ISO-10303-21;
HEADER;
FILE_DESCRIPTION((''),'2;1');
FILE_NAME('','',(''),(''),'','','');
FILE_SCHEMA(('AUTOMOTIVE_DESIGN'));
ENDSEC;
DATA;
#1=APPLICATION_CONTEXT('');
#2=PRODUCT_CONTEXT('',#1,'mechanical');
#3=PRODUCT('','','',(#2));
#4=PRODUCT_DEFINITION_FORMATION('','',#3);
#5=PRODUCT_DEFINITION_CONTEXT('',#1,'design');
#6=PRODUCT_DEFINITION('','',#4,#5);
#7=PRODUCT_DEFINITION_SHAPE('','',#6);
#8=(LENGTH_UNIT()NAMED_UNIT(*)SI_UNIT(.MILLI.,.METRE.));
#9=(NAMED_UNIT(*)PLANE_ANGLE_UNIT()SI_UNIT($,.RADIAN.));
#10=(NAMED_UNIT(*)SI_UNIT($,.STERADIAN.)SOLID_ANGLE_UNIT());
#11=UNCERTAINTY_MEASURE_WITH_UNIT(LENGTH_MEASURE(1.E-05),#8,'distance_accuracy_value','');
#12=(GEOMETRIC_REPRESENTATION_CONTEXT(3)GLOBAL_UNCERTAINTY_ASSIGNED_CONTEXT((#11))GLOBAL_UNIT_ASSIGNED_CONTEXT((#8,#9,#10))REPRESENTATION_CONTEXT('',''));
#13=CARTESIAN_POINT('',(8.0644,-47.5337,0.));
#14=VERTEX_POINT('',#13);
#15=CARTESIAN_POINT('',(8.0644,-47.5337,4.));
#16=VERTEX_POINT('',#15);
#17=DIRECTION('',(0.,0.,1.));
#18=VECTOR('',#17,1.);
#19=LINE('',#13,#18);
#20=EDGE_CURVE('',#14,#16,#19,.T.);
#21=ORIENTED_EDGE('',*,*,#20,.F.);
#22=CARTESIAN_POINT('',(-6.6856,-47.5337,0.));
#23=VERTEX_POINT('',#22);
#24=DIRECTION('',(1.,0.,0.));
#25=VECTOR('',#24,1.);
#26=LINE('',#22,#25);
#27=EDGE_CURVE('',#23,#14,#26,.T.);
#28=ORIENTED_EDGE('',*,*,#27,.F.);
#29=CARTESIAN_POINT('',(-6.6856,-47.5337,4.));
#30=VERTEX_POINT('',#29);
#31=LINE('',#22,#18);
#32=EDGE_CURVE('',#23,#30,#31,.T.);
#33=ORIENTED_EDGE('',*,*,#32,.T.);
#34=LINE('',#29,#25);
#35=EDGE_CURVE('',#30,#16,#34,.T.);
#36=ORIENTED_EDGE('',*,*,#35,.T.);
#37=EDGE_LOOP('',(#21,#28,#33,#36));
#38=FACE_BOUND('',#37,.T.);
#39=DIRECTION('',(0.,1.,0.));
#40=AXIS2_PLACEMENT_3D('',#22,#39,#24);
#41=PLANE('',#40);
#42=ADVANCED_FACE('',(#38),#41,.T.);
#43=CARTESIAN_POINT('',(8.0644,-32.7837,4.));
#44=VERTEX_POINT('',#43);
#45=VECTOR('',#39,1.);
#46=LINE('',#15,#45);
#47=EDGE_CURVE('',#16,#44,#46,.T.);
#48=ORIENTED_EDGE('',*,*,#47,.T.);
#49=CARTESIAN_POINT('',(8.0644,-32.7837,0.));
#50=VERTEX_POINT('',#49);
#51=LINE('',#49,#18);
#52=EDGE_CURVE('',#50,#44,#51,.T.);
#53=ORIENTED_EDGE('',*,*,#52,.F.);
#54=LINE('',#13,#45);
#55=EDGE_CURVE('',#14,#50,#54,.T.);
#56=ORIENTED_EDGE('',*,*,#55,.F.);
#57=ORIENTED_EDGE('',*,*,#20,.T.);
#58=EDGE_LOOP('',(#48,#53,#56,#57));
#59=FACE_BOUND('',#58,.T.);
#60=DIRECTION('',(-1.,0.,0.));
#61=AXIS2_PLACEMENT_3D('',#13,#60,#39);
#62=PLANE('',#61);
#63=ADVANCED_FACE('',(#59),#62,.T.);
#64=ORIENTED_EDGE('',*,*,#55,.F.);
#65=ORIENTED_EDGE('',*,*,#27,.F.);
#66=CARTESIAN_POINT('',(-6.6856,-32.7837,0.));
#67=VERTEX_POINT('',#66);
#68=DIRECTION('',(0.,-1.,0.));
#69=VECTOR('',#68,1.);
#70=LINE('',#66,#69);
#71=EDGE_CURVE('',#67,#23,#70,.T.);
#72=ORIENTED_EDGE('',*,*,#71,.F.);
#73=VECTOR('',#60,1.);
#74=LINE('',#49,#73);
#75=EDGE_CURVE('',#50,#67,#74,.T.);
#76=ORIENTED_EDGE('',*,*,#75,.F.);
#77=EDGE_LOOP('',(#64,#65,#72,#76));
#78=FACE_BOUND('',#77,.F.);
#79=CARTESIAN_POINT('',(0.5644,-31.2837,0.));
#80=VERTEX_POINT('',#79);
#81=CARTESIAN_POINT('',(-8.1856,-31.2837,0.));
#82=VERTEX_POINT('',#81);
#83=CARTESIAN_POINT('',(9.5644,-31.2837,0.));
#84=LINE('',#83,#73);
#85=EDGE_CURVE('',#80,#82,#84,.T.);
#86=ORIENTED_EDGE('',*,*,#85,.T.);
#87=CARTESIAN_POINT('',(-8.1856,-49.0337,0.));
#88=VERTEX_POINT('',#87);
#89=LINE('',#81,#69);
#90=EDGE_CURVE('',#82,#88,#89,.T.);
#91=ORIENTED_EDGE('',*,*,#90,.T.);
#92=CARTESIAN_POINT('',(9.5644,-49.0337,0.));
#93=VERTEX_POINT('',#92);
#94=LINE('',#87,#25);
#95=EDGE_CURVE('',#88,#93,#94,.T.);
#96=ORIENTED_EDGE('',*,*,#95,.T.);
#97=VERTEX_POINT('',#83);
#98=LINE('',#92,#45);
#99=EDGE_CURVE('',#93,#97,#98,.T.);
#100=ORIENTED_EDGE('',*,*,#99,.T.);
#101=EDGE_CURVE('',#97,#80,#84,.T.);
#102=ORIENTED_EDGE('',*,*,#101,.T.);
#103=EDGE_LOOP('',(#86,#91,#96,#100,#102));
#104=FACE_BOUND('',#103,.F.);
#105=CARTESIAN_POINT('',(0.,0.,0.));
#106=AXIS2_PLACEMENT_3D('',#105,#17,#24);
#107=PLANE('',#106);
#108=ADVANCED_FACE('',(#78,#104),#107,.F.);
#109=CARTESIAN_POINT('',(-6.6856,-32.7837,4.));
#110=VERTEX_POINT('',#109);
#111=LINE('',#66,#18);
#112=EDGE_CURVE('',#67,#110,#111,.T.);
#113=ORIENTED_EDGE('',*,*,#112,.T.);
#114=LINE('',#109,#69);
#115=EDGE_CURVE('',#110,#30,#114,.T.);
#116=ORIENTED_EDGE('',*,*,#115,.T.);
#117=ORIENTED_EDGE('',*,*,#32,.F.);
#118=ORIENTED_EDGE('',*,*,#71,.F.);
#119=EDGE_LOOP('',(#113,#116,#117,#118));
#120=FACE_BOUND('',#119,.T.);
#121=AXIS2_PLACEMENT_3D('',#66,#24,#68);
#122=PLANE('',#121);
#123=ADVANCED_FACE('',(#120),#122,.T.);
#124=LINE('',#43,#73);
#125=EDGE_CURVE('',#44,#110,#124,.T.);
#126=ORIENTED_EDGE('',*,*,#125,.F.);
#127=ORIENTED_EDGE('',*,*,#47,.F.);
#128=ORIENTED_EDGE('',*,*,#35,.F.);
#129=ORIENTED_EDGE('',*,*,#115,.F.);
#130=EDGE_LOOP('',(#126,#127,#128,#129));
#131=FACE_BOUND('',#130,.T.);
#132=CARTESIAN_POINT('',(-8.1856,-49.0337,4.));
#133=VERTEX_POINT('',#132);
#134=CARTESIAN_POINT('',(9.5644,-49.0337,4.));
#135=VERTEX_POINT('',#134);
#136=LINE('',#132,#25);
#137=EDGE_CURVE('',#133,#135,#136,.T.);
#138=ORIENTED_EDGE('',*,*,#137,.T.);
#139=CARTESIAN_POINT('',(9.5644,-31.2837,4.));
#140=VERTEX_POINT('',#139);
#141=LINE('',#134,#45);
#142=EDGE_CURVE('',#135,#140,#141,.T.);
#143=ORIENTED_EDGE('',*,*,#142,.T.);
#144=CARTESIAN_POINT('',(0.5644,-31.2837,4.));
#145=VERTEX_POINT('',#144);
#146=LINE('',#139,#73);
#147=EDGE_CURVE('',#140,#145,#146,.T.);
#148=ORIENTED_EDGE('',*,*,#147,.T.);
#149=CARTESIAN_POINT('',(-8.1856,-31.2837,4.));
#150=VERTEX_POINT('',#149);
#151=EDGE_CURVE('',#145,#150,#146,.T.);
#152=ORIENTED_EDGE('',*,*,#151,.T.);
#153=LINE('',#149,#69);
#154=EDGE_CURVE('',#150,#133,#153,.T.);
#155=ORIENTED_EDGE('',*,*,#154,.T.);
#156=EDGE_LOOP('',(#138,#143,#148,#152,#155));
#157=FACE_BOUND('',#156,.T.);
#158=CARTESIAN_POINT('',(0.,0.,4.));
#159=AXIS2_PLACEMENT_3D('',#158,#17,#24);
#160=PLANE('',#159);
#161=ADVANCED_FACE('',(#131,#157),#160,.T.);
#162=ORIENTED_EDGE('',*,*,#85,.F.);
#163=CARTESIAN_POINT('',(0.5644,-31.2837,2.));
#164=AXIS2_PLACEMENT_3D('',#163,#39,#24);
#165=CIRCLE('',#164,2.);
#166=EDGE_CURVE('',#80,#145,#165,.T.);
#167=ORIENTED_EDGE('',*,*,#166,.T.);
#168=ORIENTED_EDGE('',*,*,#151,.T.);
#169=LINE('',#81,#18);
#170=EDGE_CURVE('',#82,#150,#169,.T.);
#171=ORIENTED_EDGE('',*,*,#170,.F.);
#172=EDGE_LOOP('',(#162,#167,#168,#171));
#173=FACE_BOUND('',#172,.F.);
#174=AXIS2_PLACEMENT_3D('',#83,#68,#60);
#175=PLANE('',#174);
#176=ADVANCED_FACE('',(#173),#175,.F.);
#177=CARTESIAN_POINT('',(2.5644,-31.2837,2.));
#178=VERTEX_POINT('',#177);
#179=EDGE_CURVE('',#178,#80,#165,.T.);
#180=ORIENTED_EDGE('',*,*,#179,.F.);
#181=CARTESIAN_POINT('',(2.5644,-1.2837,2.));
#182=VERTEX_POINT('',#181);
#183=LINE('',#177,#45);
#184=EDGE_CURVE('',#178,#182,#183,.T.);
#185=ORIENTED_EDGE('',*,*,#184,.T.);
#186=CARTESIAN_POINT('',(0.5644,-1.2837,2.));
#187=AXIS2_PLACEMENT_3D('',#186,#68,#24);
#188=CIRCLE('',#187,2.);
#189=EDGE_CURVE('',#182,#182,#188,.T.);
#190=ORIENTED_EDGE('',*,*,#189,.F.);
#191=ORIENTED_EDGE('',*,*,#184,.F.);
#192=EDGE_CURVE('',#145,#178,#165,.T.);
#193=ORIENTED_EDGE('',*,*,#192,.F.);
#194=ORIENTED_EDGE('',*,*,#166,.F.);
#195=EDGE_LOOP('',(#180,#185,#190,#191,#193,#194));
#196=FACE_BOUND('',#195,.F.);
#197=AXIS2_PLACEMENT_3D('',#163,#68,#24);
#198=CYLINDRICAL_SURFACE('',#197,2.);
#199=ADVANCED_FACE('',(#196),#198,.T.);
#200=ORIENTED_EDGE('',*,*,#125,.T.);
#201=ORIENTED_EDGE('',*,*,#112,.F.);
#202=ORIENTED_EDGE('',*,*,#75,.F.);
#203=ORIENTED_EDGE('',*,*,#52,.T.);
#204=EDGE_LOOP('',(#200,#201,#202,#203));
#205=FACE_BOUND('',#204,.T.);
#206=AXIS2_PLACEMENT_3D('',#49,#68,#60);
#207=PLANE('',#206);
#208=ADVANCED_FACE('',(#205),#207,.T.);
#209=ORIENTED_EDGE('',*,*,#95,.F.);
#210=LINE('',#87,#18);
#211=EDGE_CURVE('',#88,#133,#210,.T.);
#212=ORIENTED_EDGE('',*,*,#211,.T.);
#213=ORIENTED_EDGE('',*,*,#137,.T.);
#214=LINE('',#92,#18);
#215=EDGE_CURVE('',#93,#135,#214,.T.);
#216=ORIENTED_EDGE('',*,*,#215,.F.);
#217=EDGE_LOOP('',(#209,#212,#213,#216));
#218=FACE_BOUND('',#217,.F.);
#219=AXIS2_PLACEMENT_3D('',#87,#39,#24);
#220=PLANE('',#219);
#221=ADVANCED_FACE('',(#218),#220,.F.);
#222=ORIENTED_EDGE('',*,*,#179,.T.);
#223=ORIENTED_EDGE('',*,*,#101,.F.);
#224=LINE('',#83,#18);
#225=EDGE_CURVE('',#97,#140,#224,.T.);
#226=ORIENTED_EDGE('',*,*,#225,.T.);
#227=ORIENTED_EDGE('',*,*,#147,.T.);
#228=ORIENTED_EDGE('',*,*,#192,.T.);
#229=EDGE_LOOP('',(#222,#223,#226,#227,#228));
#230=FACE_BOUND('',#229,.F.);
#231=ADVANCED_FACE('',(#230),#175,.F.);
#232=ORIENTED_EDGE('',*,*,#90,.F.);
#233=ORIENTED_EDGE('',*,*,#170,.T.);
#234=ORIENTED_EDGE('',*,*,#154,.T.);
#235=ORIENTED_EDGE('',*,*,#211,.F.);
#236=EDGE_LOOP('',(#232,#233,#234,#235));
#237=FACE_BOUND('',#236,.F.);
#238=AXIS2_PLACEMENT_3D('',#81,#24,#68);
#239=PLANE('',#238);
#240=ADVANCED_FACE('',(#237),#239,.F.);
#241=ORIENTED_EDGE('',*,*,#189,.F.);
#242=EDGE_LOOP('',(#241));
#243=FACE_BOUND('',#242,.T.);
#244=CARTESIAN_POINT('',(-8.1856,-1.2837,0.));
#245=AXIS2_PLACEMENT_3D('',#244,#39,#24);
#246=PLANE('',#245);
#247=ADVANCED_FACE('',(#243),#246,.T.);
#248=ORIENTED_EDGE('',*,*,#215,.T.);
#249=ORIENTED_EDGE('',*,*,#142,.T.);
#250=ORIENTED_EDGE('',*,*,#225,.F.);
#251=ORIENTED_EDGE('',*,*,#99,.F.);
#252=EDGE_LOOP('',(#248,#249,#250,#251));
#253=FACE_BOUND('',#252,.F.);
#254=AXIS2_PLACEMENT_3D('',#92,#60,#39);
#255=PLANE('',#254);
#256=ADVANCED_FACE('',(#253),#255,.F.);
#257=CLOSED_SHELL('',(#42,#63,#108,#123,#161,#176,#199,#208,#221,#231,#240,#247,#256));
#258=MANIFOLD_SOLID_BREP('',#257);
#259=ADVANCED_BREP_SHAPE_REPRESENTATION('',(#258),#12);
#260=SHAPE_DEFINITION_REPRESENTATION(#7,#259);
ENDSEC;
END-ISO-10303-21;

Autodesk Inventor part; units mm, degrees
ref_plane "YZ Plane" through (0, 0, 0) normal (1, 0, 0) x (0, 1, 0)
ref_plane "XZ Plane" through (0, 0, 0) normal (0, 1, 0) x (-1, 0, 0)
ref_plane "XY Plane" through (0, 0, 0) normal (0, 0, 1) x (1, 0, 0)
sketch "Sketch1" plane through (0, 0, 0) normal (0, 0, 1) x (1, 0, 0)
  line L0 (8.0644, -32.7837) -> (-6.6856, -32.7837)
  line L1 (-6.6856, -32.7837) -> (-6.6856, -47.5337)
  line L2 (-6.6856, -47.5337) -> (8.0644, -47.5337)
  line L3 (8.0644, -47.5337) -> (8.0644, -32.7837)
  line L4 (9.5644, -31.2837) -> (-8.1856, -31.2837)
  line L5 (-8.1856, -31.2837) -> (-8.1856, -49.0337)
  line L6 (-8.1856, -49.0337) -> (9.5644, -49.0337)
  line L7 (9.5644, -49.0337) -> (9.5644, -31.2837)
  point P0 (0, 0)
  dimension "d0" = 1.5
  dimension "d1" = 1.5
  dimension "d2" = 1.5
  dimension "d3" = 1.5
  dimension "d4" = 14.75
  dimension "d5" = 14.75
extrude "Extrusion1" add sketch "Sketch1" along normal blind 4
sketch "Sketch2" plane through (-8.1856, -31.2837, 0) normal (0, 1, 0) x (1, 0, 0)
  line L0 (17.75, 0) -> (0, 0) projected
  line L1 (0, 0) -> (0, -4) projected
  line L2 (17.75, -4) -> (0, -4) projected
  line L3 (17.75, 0) -> (17.75, -4) projected
  circle A0 centre (8.75, -2) radius 2
  point P0 (8.1856, 0)
  dimension "d8" = 4
  dimension "d9" = 9
extrude "Extrusion2" add sketch "Sketch2" along normal blind 30 contours A0
properties part number "eye_cam_holder"
